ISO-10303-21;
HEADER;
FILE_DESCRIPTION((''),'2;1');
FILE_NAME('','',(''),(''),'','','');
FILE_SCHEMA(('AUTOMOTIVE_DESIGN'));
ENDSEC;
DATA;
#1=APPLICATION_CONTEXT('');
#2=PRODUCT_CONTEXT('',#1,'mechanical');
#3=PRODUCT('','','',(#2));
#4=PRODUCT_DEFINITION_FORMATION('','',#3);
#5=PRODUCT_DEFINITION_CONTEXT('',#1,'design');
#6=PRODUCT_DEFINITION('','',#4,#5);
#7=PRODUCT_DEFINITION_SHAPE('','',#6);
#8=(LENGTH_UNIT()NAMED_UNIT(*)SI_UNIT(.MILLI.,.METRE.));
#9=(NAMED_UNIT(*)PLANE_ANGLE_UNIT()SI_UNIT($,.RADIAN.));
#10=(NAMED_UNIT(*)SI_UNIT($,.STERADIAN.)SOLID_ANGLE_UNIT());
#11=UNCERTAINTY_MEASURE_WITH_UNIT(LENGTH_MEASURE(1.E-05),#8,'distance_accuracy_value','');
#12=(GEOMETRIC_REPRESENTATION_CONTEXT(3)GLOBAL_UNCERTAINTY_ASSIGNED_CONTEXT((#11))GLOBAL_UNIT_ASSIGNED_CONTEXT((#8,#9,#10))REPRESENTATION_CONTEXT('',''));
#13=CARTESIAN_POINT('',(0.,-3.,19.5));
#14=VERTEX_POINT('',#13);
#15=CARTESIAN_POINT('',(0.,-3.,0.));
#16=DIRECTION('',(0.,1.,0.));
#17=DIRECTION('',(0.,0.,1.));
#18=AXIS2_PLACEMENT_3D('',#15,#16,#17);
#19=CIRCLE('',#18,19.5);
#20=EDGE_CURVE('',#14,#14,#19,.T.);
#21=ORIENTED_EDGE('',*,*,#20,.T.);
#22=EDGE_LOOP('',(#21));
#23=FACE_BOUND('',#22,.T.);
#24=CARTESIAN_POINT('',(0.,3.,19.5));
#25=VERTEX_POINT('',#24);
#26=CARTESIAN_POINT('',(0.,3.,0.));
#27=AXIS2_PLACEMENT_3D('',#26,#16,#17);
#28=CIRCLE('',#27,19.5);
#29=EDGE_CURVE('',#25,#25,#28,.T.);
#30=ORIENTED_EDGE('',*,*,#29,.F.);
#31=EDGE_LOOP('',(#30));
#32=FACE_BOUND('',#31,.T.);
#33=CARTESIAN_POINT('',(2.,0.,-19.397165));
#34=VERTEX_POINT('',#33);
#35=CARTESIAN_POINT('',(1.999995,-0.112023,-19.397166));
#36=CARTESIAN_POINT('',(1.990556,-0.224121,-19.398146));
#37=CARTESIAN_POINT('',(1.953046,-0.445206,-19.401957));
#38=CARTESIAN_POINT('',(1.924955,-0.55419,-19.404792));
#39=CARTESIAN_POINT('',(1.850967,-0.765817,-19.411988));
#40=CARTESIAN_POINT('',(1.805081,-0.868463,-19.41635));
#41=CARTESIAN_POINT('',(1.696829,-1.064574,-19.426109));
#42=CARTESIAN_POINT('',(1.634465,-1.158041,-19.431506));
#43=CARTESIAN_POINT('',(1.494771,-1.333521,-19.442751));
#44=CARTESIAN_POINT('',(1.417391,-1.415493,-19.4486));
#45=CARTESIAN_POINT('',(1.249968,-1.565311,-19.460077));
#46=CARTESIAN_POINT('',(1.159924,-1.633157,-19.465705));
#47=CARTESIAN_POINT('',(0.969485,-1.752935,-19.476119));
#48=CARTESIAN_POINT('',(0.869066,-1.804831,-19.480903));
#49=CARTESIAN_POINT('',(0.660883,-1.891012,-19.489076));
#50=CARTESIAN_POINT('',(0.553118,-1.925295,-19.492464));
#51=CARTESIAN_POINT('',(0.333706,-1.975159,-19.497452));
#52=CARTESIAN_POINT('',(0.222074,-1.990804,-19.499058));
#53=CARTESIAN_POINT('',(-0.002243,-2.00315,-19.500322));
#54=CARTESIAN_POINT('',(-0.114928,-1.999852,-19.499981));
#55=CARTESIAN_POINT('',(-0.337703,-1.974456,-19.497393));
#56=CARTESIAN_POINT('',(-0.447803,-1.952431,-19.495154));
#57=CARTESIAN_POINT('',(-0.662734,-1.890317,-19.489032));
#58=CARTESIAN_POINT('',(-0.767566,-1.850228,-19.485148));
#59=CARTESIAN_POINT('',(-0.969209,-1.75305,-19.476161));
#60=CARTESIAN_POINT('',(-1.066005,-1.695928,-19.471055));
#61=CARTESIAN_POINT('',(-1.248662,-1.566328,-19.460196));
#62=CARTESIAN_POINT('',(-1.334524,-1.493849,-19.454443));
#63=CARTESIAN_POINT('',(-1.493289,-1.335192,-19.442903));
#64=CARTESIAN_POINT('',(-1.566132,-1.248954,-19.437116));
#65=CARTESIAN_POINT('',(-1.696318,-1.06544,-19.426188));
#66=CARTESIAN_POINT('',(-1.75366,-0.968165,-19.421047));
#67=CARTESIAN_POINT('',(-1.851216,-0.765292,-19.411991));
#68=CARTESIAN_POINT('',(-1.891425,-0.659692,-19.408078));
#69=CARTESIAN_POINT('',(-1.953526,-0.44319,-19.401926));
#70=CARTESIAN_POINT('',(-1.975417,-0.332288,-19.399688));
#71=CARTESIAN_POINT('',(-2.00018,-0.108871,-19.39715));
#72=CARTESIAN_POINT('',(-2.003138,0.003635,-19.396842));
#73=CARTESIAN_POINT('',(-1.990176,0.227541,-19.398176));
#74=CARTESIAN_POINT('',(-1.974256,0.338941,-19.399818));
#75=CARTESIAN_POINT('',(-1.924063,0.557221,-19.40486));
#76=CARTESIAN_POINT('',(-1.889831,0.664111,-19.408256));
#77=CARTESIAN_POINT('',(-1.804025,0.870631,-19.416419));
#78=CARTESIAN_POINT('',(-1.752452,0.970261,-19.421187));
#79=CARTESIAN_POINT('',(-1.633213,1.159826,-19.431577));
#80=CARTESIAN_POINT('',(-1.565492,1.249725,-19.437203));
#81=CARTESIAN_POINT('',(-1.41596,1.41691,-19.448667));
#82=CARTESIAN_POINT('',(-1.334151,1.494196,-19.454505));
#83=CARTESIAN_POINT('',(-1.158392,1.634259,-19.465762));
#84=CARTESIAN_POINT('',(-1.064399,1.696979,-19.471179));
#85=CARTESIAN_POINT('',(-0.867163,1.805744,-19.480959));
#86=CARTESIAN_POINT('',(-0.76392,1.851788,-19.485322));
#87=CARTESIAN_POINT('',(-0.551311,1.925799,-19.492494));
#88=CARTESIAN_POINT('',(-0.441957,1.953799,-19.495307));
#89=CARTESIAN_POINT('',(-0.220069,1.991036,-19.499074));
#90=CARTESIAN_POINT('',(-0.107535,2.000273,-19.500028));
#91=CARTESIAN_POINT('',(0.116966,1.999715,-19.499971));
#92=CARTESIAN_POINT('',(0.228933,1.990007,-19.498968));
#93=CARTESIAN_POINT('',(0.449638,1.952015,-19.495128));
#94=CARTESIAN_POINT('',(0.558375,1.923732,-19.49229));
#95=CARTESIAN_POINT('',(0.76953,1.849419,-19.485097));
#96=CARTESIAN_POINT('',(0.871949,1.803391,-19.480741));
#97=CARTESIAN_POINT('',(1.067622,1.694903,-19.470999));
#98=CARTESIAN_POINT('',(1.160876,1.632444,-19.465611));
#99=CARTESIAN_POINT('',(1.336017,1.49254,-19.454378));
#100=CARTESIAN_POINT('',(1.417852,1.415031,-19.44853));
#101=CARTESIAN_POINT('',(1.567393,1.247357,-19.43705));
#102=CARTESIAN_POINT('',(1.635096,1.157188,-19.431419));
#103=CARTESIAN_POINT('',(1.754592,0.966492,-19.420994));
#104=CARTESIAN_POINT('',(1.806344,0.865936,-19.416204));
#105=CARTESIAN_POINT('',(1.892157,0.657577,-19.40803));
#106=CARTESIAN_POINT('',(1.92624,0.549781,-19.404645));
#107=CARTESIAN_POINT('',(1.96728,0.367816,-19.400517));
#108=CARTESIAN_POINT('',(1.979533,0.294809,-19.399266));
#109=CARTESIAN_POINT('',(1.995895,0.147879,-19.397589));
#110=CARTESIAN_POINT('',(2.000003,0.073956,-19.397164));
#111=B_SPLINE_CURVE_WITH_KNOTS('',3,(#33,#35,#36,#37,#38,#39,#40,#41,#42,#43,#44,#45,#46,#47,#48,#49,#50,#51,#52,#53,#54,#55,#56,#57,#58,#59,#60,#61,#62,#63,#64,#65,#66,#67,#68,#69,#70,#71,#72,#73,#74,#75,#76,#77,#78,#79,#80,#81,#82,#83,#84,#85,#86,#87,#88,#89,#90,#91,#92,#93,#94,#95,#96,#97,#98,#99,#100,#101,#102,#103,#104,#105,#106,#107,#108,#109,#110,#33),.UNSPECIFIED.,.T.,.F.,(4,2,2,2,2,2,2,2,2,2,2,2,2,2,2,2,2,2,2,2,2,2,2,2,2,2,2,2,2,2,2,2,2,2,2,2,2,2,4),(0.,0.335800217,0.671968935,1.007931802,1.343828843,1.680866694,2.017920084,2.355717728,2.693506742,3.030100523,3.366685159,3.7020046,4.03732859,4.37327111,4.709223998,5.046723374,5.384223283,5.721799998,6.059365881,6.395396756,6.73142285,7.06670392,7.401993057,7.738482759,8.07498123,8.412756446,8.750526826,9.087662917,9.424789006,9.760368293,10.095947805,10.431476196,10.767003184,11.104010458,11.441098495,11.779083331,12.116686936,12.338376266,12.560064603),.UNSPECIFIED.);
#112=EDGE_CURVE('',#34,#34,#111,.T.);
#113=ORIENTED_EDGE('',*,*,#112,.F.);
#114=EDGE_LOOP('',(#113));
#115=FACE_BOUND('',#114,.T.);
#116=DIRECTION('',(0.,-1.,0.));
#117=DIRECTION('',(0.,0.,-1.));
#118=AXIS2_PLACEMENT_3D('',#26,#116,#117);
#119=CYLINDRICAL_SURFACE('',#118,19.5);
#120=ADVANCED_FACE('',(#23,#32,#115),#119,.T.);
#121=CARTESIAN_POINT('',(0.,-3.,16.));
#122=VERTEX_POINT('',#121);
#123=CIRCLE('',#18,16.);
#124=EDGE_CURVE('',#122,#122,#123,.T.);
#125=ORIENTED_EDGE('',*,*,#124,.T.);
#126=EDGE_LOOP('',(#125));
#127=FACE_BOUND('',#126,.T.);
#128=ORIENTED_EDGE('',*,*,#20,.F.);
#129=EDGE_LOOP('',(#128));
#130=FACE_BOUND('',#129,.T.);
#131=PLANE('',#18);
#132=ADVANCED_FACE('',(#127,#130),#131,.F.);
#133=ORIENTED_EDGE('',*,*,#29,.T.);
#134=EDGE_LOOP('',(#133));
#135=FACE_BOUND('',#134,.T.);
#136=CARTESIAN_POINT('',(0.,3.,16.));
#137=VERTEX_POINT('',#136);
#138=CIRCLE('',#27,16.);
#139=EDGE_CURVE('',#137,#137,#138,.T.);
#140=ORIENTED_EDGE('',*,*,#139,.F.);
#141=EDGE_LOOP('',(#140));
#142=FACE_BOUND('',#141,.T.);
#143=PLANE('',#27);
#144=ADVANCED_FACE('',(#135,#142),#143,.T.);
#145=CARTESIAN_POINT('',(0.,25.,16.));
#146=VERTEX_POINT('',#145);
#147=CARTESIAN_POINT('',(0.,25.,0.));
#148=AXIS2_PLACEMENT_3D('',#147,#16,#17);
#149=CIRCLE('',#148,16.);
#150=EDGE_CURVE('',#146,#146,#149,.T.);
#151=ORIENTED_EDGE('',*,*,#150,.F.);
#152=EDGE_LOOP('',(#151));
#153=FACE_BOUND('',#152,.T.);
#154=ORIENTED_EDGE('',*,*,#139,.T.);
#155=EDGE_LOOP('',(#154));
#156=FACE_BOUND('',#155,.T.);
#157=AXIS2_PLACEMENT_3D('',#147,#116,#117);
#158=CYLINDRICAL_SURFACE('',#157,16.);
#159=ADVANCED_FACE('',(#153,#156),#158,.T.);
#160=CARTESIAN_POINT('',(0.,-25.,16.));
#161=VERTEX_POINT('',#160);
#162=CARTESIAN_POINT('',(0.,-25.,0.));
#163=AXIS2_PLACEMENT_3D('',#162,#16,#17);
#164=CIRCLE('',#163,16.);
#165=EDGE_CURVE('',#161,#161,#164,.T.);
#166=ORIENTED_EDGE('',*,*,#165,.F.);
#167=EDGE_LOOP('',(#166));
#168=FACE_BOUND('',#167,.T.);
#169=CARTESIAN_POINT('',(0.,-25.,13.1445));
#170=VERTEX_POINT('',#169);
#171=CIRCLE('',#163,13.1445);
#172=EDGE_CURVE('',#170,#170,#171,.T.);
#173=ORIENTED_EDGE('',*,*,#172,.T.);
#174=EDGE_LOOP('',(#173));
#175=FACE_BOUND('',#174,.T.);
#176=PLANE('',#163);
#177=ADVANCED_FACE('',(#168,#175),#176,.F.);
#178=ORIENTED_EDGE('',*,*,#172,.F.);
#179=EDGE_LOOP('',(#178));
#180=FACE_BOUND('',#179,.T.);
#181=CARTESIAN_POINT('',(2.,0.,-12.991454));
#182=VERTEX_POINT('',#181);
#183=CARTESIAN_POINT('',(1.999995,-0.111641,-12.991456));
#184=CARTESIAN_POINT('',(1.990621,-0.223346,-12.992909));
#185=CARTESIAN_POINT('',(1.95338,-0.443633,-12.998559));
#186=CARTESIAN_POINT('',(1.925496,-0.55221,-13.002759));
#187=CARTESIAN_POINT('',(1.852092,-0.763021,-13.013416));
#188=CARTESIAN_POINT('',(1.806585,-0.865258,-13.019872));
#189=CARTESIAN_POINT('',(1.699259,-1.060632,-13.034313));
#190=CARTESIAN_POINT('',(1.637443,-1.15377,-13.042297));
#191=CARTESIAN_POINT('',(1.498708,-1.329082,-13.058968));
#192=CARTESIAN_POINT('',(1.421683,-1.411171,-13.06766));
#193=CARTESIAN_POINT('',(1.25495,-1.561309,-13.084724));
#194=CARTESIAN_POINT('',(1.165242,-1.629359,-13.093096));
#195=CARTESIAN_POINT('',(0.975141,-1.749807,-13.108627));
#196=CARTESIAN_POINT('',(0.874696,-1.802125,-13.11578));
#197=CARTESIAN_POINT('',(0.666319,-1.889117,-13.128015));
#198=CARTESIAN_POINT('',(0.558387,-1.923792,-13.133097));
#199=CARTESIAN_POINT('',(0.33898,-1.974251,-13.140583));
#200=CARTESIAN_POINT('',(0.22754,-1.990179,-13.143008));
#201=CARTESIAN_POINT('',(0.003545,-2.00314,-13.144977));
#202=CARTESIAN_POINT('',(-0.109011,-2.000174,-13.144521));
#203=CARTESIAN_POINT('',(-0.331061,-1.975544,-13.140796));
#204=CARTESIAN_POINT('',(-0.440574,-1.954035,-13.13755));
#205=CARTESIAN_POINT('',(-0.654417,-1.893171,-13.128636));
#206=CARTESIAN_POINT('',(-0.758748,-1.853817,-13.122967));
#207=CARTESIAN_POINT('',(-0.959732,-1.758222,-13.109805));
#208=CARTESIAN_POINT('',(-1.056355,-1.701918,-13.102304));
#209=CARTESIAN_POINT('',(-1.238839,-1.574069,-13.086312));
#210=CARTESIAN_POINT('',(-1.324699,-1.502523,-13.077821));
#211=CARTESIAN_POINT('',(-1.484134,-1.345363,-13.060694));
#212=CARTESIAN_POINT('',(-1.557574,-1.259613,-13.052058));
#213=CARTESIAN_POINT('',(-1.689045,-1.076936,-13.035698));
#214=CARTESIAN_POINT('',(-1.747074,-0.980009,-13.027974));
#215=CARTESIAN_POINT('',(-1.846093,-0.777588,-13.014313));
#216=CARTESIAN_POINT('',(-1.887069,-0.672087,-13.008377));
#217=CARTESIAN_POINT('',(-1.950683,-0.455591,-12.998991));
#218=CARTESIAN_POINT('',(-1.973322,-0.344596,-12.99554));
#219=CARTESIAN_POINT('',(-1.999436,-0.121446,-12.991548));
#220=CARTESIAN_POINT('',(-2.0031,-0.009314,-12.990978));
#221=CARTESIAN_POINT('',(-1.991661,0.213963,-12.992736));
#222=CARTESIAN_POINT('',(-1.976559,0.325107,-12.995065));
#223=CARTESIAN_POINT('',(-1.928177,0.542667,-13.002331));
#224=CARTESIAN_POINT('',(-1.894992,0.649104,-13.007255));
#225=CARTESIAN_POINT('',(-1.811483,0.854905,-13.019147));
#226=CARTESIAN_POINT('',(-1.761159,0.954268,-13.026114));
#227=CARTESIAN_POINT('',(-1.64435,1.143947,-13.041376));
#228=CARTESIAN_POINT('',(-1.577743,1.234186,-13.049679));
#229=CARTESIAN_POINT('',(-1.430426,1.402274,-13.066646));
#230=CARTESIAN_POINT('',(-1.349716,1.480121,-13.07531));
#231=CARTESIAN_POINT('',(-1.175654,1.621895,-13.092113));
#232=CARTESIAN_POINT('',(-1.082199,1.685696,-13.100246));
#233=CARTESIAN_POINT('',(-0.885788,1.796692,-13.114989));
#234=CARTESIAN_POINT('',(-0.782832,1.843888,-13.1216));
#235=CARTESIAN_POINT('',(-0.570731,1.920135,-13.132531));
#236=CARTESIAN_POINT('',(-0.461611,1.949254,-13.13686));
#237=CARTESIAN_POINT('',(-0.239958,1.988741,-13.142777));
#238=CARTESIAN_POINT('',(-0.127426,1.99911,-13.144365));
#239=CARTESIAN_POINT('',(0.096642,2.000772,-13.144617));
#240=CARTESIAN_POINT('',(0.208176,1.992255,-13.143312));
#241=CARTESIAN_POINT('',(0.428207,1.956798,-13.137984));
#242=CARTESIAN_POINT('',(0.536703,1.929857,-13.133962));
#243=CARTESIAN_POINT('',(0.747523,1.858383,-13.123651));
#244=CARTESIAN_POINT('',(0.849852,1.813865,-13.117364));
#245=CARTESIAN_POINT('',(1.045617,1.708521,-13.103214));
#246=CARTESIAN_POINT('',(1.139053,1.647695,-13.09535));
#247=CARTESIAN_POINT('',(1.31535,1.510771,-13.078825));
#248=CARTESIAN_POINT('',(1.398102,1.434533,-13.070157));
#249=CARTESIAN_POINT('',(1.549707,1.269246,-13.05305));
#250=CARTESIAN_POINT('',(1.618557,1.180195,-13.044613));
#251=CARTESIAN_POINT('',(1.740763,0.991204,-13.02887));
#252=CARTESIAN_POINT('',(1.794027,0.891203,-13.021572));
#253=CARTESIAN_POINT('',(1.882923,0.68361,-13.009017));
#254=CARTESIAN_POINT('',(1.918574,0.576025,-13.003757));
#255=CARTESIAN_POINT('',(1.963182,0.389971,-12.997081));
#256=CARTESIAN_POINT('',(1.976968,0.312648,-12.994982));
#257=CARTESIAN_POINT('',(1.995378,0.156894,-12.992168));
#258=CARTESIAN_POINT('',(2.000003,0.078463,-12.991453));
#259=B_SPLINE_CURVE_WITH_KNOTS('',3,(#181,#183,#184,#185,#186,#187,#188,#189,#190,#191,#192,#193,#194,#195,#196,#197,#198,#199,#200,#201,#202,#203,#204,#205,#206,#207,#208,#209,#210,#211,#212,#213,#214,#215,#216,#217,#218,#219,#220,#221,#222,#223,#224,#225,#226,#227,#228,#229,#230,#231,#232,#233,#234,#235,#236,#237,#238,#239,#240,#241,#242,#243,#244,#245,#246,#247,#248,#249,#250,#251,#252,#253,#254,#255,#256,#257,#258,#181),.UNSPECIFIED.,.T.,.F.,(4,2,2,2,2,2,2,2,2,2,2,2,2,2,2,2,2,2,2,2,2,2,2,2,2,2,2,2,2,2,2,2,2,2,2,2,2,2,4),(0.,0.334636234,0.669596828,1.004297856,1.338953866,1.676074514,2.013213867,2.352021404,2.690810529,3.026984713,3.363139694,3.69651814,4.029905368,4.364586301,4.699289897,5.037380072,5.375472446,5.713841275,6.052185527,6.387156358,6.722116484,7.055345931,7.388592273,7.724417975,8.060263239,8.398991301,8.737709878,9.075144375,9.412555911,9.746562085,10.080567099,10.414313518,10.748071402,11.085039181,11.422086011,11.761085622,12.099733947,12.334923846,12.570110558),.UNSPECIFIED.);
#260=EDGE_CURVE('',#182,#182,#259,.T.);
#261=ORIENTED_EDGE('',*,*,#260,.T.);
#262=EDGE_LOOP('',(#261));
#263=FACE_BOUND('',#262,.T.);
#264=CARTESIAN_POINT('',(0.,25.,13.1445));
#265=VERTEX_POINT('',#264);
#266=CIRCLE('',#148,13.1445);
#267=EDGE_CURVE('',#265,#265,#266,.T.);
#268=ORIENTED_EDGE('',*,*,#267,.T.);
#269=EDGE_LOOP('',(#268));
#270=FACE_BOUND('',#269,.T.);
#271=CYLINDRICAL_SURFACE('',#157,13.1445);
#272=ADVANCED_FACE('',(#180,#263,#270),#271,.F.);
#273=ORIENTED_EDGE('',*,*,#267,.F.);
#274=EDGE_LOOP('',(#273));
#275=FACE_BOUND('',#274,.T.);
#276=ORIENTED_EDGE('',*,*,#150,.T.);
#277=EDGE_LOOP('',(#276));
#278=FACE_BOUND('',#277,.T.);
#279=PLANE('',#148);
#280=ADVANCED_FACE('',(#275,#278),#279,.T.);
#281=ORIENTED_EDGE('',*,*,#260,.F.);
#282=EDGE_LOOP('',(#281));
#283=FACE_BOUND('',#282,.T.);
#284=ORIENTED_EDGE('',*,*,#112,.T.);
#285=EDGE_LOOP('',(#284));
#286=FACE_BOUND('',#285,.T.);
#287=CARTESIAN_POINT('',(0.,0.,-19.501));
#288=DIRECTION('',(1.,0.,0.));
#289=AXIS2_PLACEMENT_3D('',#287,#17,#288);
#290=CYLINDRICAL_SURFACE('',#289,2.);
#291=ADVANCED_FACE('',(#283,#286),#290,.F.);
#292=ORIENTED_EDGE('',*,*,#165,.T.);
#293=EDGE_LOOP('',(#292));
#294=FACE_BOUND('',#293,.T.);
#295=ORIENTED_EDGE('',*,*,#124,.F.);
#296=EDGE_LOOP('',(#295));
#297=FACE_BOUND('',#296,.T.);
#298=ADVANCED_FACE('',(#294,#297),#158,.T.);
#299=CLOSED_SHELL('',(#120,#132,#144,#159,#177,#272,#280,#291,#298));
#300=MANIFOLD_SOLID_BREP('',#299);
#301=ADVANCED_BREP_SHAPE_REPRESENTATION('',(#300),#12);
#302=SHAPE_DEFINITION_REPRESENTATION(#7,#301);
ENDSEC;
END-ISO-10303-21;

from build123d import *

# Parameters (mm, degrees)
SKETCH1_R           = 16
SKETCH1_R_2         = 13.1445
BOSS_EXTRUDE1_DEPTH = 25
SKETCH2_R           = 19.5
SKETCH2_R_2         = 16
BOSS_EXTRUDE2_DEPTH = 3
CUT_EXTRUDE1_REACH  = 21.5
SKETCH3_R           = 2


with BuildPart() as part:
    # Sketch1 → Boss-Extrude1 (new body, symmetric)
    with BuildSketch(Plane(origin=(0, 0, 0), x_dir=(1, 0, 0), z_dir=(0, 1, 0))):
        Circle(SKETCH1_R)
        Circle(SKETCH1_R_2, mode=Mode.SUBTRACT)
    extrude(amount=BOSS_EXTRUDE1_DEPTH, both=True)

    # Sketch2 → Boss-Extrude2 (add, symmetric)
    with BuildSketch(Plane(origin=(0, 0, 0), x_dir=(1, 0, 0), z_dir=(0, 1, 0))):
        Circle(SKETCH2_R)
        Circle(SKETCH2_R_2, mode=Mode.SUBTRACT)
    extrude(amount=BOSS_EXTRUDE2_DEPTH, both=True)

    # Sketch3 → Cut-Extrude1 (cut, up to next)
    with BuildSketch(Plane.XY, mode=Mode.PRIVATE) as cut_extrude1_sk1:
        Circle(SKETCH3_R)
    cut_extrude1_tool1 = extrude(cut_extrude1_sk1.sketch, amount=-CUT_EXTRUDE1_REACH, mode=Mode.PRIVATE) & part.part
    add(cut_extrude1_tool1.solids().sort_by_distance((0, 0, 0))[0], mode=Mode.SUBTRACT)


solid = part.part
